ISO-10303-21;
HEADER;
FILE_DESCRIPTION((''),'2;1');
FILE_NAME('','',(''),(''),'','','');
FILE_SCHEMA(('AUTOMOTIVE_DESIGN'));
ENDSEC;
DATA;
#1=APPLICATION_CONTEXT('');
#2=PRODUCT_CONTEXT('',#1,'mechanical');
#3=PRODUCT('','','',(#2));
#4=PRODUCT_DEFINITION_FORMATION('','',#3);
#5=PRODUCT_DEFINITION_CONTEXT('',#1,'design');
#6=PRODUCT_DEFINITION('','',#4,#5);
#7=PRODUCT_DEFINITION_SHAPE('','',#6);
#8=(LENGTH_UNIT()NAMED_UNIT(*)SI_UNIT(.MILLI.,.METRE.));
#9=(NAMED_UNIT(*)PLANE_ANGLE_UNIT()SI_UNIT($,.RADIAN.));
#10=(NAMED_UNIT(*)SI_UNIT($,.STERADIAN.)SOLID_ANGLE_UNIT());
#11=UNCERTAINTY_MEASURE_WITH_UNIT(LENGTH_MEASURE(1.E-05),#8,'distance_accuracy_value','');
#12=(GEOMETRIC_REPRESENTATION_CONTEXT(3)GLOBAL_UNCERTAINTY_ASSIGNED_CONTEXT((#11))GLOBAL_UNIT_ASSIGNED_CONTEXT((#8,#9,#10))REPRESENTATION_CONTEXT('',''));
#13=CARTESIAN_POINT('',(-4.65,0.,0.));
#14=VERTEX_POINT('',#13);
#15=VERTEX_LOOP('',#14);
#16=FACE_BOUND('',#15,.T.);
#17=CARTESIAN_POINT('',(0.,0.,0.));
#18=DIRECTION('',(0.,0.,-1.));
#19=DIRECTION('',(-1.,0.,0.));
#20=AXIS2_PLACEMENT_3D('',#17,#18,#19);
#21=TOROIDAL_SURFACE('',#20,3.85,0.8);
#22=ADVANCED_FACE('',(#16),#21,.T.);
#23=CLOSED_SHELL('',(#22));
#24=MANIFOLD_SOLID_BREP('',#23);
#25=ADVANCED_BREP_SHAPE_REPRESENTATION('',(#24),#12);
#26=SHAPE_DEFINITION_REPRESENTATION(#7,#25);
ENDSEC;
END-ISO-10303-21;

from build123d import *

# Parameters (mm, degrees)
SKETCH2_R = 0.8


with BuildPart() as part:
    # Sweep1: sweep along a path in Sketch1
    with BuildLine(Plane.XY) as sweep1_path:
        CenterArc((0, 0), 3.05, 0, 360)
    # Sketch2 → Sweep1 (sweep)
    with BuildSketch(Plane(origin=(0, 0, 0), x_dir=(1, 0, 0), z_dir=(0, 1, 0))):
        with Locations((-3.85, 0)):
            Circle(SKETCH2_R)
    sweep(path=sweep1_path.line)


solid = part.part
